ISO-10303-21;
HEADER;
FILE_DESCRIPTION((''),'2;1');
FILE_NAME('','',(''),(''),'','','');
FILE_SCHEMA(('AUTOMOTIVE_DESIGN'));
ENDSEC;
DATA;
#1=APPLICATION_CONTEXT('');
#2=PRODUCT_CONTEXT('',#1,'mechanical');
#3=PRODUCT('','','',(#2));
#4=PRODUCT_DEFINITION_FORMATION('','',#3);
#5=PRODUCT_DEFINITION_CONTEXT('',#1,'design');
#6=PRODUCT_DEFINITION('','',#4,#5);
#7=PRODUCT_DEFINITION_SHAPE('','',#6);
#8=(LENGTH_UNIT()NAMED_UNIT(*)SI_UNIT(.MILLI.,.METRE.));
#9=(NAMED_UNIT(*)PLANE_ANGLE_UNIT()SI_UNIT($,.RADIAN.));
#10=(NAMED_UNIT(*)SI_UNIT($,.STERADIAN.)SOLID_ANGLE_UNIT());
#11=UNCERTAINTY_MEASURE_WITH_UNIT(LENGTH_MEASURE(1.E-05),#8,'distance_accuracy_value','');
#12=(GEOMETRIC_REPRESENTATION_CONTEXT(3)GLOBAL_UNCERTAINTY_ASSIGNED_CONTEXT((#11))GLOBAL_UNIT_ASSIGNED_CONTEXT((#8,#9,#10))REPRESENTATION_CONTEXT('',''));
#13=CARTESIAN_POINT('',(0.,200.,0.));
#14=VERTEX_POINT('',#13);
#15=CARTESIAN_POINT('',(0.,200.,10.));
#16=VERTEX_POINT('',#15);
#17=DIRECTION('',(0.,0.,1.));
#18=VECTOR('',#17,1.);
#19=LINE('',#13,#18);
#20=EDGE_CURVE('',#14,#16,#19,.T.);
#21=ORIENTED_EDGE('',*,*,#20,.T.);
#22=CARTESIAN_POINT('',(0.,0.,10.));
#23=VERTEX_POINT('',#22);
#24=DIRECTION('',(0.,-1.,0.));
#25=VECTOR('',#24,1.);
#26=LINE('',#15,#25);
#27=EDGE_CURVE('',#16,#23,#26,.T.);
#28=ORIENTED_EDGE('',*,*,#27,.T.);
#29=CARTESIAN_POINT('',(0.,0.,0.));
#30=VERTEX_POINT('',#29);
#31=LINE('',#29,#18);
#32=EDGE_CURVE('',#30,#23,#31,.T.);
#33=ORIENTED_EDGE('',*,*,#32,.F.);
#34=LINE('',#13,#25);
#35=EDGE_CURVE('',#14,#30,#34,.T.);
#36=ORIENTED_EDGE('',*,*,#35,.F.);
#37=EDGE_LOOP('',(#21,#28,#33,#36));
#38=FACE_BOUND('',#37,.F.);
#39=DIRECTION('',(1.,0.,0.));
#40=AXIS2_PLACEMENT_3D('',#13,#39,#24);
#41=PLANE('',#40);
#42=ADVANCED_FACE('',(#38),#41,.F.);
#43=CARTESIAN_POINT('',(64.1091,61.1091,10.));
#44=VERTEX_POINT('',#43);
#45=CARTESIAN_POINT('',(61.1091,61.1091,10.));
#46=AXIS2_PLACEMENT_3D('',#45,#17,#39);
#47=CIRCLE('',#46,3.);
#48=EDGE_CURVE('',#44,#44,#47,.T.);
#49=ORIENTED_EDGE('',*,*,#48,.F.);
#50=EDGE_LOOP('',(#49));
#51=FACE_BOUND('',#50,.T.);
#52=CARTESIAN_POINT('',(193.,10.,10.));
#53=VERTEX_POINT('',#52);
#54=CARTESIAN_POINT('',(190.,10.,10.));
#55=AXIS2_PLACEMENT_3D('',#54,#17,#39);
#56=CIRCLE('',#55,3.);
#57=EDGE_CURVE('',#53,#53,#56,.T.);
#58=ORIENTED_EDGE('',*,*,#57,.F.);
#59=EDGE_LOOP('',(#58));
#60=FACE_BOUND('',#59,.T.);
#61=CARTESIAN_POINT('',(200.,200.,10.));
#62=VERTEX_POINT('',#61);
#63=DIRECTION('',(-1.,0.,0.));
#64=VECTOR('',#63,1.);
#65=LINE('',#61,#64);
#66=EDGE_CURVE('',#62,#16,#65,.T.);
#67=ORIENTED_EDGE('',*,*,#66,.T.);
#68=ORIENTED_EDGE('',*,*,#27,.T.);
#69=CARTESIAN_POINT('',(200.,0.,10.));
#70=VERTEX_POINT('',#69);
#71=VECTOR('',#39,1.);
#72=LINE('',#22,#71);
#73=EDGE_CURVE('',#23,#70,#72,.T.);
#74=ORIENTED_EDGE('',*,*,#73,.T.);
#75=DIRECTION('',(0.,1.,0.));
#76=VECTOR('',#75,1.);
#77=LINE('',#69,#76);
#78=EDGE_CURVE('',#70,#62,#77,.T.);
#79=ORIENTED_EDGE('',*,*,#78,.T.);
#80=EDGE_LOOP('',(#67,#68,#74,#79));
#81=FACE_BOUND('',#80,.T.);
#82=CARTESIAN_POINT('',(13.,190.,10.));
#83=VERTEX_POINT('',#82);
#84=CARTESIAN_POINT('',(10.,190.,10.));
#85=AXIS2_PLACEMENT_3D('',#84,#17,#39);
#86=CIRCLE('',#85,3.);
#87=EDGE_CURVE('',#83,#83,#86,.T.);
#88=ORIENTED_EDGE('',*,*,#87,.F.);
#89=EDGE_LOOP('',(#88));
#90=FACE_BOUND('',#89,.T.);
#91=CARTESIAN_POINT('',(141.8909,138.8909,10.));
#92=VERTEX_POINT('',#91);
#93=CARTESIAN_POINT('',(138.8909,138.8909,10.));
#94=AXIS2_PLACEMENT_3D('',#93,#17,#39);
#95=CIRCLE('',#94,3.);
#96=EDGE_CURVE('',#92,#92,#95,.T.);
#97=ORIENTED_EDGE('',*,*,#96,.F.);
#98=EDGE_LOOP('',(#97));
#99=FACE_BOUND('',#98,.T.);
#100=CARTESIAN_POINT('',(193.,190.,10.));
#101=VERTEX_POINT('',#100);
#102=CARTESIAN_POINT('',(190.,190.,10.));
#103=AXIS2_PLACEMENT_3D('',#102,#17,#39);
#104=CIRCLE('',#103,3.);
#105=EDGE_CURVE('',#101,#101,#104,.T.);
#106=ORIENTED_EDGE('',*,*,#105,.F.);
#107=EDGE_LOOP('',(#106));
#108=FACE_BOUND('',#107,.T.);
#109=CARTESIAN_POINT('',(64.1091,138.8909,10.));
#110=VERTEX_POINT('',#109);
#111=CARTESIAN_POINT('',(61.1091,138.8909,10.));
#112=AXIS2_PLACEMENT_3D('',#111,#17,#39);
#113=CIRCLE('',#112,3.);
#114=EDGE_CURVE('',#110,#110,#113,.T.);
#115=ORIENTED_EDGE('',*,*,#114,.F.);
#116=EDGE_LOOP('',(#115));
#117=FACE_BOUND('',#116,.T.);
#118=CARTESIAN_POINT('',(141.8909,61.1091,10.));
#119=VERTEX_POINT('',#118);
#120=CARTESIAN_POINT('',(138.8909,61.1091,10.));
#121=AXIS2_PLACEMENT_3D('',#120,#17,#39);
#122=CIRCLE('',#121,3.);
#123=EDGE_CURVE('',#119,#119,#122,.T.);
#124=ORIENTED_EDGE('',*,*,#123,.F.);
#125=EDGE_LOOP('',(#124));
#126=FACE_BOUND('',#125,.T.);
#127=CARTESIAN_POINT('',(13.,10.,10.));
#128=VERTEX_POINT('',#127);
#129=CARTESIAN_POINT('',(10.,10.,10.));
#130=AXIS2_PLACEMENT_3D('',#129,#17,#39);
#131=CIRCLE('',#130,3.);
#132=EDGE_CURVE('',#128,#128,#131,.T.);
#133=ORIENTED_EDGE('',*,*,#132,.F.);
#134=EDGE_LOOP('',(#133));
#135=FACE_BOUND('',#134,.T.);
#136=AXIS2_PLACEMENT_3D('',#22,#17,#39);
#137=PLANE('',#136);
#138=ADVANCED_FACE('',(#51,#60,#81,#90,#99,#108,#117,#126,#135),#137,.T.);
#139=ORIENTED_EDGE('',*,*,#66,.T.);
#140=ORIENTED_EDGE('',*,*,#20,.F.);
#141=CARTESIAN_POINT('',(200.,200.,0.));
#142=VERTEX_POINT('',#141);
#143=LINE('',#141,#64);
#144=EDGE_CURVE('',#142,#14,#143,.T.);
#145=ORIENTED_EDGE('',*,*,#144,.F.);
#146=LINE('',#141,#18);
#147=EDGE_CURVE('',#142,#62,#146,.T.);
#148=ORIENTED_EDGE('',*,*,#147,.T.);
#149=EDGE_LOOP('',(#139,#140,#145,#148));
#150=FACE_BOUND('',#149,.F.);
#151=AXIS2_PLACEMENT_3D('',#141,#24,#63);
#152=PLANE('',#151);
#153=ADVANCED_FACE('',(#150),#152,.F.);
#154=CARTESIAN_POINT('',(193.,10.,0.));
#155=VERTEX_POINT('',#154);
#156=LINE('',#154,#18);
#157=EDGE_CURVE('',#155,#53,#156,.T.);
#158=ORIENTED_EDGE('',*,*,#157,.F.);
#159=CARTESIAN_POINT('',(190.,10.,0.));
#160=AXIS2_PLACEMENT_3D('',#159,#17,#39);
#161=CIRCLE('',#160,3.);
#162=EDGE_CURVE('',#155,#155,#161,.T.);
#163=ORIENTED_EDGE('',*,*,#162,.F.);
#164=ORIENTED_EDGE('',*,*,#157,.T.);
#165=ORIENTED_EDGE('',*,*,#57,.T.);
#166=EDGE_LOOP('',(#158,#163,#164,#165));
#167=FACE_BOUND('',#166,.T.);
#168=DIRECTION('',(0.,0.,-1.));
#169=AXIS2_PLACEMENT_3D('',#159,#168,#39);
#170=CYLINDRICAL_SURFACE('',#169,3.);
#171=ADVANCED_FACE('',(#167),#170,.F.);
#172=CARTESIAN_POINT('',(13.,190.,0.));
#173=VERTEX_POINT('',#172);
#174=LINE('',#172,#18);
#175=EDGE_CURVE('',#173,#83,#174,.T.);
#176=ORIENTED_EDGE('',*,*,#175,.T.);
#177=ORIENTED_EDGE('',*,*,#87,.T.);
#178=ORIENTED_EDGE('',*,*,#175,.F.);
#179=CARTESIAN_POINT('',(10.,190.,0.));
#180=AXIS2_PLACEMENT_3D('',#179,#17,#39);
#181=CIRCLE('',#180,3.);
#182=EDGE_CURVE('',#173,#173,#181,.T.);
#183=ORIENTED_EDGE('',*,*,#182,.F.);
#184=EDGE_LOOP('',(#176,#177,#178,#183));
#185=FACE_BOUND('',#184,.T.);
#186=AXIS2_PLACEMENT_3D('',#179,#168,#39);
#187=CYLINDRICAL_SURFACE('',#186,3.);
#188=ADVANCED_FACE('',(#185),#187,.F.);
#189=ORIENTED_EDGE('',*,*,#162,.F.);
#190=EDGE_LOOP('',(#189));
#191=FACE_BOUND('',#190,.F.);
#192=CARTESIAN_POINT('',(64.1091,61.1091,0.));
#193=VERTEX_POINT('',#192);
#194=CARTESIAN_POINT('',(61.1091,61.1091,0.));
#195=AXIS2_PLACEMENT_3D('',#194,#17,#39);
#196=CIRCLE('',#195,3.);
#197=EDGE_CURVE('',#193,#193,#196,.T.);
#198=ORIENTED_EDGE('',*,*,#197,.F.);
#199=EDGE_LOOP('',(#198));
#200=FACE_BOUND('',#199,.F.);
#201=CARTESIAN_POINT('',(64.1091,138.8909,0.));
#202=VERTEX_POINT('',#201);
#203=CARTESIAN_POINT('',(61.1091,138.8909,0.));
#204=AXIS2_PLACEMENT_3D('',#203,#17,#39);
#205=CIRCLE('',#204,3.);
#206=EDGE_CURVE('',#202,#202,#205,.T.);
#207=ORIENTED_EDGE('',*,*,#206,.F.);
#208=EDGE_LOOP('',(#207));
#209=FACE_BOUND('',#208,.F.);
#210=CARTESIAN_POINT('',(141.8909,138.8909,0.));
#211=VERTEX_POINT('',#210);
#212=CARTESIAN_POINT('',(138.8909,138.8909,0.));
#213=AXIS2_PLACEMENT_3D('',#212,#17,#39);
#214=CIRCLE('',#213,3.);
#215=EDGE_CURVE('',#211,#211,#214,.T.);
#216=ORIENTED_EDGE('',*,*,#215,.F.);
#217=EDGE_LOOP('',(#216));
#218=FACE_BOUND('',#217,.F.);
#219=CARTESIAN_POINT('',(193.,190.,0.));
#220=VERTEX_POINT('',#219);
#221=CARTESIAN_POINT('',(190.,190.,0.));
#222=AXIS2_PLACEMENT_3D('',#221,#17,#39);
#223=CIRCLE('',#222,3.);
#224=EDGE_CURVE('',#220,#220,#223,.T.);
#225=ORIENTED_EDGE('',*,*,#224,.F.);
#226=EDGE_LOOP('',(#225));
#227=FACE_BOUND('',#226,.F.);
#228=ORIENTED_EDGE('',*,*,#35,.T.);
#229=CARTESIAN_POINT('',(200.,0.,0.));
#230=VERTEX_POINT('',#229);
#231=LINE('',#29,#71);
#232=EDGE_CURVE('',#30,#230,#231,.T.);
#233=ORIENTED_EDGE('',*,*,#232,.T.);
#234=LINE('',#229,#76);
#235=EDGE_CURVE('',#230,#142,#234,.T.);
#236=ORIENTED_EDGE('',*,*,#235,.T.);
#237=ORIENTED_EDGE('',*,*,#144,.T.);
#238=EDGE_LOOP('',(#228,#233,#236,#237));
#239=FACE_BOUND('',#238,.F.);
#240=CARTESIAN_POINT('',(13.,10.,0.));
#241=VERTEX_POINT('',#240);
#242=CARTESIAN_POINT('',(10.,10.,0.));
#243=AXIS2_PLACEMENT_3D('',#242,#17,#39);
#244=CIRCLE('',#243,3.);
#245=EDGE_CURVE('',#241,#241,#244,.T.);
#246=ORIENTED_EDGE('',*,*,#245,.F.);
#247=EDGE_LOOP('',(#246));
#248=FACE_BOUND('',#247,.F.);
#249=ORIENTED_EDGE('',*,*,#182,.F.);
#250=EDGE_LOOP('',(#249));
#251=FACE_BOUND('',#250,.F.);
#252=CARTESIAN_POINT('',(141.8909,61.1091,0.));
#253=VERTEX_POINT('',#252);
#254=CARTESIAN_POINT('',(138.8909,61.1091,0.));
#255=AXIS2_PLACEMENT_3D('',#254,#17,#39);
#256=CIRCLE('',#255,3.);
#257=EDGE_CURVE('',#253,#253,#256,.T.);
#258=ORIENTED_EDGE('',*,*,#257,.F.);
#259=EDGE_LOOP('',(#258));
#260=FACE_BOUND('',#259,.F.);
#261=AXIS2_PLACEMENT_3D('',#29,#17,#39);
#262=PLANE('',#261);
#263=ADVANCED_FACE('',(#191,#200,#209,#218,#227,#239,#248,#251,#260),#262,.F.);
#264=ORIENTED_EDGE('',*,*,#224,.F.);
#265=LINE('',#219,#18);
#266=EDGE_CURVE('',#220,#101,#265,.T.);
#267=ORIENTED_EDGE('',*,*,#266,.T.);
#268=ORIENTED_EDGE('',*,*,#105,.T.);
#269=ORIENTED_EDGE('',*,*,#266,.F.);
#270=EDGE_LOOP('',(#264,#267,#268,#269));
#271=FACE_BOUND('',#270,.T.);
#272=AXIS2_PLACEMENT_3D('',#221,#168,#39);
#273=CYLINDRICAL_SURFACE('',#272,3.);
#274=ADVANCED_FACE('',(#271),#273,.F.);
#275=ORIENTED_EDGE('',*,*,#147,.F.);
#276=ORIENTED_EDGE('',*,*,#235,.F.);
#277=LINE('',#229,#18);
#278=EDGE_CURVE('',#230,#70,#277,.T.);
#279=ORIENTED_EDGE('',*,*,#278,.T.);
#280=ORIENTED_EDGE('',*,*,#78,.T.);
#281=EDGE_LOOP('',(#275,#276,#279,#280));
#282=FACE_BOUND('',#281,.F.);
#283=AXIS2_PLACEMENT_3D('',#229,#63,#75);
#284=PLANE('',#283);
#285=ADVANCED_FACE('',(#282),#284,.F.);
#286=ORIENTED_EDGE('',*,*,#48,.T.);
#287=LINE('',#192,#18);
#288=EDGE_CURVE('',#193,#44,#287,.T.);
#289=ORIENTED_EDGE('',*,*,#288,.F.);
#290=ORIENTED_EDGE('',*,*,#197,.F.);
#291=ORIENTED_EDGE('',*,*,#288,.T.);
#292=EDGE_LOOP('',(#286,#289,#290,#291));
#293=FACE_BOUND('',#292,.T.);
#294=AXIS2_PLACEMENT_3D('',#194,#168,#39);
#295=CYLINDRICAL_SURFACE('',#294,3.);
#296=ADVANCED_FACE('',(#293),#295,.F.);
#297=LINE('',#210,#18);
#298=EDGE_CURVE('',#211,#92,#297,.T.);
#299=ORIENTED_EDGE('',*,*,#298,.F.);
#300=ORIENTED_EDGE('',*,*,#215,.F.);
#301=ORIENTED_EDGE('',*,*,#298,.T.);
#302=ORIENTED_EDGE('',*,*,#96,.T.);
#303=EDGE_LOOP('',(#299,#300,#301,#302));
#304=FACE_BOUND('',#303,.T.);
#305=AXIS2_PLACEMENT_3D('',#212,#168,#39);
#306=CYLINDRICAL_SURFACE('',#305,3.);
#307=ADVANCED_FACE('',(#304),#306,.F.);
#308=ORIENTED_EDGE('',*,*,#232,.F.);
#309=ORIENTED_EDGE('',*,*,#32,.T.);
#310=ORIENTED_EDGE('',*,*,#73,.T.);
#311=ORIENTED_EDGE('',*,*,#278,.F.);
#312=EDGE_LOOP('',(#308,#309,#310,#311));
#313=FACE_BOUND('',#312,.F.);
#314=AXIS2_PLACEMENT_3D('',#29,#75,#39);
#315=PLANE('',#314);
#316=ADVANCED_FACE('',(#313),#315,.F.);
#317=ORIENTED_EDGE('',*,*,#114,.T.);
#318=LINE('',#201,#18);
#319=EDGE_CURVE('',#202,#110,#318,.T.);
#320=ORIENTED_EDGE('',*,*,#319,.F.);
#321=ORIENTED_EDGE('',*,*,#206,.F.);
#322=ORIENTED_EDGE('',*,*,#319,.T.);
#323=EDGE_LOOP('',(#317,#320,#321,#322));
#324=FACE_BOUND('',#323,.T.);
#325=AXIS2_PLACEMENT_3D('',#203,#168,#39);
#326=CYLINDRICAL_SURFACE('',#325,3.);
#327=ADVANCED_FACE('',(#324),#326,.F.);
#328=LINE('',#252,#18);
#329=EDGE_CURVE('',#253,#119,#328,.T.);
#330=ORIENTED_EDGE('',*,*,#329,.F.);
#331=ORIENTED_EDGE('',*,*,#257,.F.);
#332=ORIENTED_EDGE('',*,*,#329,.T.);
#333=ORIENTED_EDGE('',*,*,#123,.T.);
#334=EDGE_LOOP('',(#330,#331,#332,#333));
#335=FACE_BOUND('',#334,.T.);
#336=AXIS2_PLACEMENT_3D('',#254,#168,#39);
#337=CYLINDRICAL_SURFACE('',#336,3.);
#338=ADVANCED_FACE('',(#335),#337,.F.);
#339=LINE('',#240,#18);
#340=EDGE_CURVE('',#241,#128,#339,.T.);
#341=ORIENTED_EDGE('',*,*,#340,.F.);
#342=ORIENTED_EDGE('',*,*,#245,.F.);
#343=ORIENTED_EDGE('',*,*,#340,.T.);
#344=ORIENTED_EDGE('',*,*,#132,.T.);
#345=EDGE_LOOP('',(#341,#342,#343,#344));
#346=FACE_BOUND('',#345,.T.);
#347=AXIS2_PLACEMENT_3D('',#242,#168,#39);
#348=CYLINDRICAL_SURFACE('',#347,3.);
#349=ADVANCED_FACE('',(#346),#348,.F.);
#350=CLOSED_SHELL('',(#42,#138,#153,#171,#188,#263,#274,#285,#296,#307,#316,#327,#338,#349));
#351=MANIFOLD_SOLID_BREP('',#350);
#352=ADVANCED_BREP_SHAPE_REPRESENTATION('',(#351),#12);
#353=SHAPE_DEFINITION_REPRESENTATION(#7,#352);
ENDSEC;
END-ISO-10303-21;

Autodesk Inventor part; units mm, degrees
ref_plane "YZ Plane" through (0, 0, 0) normal (1, 0, 0) x (0, 1, 0)
ref_plane "XZ Plane" through (0, 0, 0) normal (0, 1, 0) x (-1, 0, 0)
ref_plane "XY Plane" through (0, 0, 0) normal (0, 0, 1) x (1, 0, 0)
sketch "Sketch1" plane through (0, 0, 0) normal (0, 0, 1) x (1, 0, 0)
  line L0 (0, 0) -> (200, 0)
  line L1 (200, 0) -> (200, 200)
  line L2 (200, 200) -> (0, 200)
  line L3 (0, 200) -> (0, 0)
  circle A0 centre (10, 190) radius 3
  circle A1 centre (190, 190) radius 3
  circle A2 centre (190, 10) radius 3
  circle A3 centre (10, 10) radius 3
  circle A4 centre (61.1091, 138.8909) radius 3
  circle A5 centre (61.1091, 61.1091) radius 3
  circle A6 centre (138.8909, 61.1091) radius 3
  circle A7 centre (138.8909, 138.8909) radius 3
  point P0 (164, 100)
  dimension "d1" = 200
  dimension "d5" = 10
  dimension "d6" = 10
  dimension "d7" = 10
  dimension "d8" = 10
  dimension "d9" = 6
  dimension "d10" = 6
  dimension "d11" = 10
  dimension "d12" = 10
  dimension "d14" = 10
  dimension "d15" = 6
  dimension "d16" = 6
  dimension "d17" = 6
  dimension "d18" = 6
  dimension "d19" = 6
  dimension "d20" = 6
  dimension "d42" = 200
  dimension "d43" = 10
extrude "Extrusion2" add sketch "Sketch1" along normal blind 10
thread "Thread1" size "M6x1" class "6H" standard "ANSI Metric M Profile" full length
thread "Thread2" size "M6x1" class "6H" standard "ANSI Metric M Profile" full length
thread "Thread3" size "M6x1" class "6H" standard "ANSI Metric M Profile" full length
thread "Thread4" size "M6x1" class "6H" standard "ANSI Metric M Profile" full length
properties part number "PhlangeForShop"
